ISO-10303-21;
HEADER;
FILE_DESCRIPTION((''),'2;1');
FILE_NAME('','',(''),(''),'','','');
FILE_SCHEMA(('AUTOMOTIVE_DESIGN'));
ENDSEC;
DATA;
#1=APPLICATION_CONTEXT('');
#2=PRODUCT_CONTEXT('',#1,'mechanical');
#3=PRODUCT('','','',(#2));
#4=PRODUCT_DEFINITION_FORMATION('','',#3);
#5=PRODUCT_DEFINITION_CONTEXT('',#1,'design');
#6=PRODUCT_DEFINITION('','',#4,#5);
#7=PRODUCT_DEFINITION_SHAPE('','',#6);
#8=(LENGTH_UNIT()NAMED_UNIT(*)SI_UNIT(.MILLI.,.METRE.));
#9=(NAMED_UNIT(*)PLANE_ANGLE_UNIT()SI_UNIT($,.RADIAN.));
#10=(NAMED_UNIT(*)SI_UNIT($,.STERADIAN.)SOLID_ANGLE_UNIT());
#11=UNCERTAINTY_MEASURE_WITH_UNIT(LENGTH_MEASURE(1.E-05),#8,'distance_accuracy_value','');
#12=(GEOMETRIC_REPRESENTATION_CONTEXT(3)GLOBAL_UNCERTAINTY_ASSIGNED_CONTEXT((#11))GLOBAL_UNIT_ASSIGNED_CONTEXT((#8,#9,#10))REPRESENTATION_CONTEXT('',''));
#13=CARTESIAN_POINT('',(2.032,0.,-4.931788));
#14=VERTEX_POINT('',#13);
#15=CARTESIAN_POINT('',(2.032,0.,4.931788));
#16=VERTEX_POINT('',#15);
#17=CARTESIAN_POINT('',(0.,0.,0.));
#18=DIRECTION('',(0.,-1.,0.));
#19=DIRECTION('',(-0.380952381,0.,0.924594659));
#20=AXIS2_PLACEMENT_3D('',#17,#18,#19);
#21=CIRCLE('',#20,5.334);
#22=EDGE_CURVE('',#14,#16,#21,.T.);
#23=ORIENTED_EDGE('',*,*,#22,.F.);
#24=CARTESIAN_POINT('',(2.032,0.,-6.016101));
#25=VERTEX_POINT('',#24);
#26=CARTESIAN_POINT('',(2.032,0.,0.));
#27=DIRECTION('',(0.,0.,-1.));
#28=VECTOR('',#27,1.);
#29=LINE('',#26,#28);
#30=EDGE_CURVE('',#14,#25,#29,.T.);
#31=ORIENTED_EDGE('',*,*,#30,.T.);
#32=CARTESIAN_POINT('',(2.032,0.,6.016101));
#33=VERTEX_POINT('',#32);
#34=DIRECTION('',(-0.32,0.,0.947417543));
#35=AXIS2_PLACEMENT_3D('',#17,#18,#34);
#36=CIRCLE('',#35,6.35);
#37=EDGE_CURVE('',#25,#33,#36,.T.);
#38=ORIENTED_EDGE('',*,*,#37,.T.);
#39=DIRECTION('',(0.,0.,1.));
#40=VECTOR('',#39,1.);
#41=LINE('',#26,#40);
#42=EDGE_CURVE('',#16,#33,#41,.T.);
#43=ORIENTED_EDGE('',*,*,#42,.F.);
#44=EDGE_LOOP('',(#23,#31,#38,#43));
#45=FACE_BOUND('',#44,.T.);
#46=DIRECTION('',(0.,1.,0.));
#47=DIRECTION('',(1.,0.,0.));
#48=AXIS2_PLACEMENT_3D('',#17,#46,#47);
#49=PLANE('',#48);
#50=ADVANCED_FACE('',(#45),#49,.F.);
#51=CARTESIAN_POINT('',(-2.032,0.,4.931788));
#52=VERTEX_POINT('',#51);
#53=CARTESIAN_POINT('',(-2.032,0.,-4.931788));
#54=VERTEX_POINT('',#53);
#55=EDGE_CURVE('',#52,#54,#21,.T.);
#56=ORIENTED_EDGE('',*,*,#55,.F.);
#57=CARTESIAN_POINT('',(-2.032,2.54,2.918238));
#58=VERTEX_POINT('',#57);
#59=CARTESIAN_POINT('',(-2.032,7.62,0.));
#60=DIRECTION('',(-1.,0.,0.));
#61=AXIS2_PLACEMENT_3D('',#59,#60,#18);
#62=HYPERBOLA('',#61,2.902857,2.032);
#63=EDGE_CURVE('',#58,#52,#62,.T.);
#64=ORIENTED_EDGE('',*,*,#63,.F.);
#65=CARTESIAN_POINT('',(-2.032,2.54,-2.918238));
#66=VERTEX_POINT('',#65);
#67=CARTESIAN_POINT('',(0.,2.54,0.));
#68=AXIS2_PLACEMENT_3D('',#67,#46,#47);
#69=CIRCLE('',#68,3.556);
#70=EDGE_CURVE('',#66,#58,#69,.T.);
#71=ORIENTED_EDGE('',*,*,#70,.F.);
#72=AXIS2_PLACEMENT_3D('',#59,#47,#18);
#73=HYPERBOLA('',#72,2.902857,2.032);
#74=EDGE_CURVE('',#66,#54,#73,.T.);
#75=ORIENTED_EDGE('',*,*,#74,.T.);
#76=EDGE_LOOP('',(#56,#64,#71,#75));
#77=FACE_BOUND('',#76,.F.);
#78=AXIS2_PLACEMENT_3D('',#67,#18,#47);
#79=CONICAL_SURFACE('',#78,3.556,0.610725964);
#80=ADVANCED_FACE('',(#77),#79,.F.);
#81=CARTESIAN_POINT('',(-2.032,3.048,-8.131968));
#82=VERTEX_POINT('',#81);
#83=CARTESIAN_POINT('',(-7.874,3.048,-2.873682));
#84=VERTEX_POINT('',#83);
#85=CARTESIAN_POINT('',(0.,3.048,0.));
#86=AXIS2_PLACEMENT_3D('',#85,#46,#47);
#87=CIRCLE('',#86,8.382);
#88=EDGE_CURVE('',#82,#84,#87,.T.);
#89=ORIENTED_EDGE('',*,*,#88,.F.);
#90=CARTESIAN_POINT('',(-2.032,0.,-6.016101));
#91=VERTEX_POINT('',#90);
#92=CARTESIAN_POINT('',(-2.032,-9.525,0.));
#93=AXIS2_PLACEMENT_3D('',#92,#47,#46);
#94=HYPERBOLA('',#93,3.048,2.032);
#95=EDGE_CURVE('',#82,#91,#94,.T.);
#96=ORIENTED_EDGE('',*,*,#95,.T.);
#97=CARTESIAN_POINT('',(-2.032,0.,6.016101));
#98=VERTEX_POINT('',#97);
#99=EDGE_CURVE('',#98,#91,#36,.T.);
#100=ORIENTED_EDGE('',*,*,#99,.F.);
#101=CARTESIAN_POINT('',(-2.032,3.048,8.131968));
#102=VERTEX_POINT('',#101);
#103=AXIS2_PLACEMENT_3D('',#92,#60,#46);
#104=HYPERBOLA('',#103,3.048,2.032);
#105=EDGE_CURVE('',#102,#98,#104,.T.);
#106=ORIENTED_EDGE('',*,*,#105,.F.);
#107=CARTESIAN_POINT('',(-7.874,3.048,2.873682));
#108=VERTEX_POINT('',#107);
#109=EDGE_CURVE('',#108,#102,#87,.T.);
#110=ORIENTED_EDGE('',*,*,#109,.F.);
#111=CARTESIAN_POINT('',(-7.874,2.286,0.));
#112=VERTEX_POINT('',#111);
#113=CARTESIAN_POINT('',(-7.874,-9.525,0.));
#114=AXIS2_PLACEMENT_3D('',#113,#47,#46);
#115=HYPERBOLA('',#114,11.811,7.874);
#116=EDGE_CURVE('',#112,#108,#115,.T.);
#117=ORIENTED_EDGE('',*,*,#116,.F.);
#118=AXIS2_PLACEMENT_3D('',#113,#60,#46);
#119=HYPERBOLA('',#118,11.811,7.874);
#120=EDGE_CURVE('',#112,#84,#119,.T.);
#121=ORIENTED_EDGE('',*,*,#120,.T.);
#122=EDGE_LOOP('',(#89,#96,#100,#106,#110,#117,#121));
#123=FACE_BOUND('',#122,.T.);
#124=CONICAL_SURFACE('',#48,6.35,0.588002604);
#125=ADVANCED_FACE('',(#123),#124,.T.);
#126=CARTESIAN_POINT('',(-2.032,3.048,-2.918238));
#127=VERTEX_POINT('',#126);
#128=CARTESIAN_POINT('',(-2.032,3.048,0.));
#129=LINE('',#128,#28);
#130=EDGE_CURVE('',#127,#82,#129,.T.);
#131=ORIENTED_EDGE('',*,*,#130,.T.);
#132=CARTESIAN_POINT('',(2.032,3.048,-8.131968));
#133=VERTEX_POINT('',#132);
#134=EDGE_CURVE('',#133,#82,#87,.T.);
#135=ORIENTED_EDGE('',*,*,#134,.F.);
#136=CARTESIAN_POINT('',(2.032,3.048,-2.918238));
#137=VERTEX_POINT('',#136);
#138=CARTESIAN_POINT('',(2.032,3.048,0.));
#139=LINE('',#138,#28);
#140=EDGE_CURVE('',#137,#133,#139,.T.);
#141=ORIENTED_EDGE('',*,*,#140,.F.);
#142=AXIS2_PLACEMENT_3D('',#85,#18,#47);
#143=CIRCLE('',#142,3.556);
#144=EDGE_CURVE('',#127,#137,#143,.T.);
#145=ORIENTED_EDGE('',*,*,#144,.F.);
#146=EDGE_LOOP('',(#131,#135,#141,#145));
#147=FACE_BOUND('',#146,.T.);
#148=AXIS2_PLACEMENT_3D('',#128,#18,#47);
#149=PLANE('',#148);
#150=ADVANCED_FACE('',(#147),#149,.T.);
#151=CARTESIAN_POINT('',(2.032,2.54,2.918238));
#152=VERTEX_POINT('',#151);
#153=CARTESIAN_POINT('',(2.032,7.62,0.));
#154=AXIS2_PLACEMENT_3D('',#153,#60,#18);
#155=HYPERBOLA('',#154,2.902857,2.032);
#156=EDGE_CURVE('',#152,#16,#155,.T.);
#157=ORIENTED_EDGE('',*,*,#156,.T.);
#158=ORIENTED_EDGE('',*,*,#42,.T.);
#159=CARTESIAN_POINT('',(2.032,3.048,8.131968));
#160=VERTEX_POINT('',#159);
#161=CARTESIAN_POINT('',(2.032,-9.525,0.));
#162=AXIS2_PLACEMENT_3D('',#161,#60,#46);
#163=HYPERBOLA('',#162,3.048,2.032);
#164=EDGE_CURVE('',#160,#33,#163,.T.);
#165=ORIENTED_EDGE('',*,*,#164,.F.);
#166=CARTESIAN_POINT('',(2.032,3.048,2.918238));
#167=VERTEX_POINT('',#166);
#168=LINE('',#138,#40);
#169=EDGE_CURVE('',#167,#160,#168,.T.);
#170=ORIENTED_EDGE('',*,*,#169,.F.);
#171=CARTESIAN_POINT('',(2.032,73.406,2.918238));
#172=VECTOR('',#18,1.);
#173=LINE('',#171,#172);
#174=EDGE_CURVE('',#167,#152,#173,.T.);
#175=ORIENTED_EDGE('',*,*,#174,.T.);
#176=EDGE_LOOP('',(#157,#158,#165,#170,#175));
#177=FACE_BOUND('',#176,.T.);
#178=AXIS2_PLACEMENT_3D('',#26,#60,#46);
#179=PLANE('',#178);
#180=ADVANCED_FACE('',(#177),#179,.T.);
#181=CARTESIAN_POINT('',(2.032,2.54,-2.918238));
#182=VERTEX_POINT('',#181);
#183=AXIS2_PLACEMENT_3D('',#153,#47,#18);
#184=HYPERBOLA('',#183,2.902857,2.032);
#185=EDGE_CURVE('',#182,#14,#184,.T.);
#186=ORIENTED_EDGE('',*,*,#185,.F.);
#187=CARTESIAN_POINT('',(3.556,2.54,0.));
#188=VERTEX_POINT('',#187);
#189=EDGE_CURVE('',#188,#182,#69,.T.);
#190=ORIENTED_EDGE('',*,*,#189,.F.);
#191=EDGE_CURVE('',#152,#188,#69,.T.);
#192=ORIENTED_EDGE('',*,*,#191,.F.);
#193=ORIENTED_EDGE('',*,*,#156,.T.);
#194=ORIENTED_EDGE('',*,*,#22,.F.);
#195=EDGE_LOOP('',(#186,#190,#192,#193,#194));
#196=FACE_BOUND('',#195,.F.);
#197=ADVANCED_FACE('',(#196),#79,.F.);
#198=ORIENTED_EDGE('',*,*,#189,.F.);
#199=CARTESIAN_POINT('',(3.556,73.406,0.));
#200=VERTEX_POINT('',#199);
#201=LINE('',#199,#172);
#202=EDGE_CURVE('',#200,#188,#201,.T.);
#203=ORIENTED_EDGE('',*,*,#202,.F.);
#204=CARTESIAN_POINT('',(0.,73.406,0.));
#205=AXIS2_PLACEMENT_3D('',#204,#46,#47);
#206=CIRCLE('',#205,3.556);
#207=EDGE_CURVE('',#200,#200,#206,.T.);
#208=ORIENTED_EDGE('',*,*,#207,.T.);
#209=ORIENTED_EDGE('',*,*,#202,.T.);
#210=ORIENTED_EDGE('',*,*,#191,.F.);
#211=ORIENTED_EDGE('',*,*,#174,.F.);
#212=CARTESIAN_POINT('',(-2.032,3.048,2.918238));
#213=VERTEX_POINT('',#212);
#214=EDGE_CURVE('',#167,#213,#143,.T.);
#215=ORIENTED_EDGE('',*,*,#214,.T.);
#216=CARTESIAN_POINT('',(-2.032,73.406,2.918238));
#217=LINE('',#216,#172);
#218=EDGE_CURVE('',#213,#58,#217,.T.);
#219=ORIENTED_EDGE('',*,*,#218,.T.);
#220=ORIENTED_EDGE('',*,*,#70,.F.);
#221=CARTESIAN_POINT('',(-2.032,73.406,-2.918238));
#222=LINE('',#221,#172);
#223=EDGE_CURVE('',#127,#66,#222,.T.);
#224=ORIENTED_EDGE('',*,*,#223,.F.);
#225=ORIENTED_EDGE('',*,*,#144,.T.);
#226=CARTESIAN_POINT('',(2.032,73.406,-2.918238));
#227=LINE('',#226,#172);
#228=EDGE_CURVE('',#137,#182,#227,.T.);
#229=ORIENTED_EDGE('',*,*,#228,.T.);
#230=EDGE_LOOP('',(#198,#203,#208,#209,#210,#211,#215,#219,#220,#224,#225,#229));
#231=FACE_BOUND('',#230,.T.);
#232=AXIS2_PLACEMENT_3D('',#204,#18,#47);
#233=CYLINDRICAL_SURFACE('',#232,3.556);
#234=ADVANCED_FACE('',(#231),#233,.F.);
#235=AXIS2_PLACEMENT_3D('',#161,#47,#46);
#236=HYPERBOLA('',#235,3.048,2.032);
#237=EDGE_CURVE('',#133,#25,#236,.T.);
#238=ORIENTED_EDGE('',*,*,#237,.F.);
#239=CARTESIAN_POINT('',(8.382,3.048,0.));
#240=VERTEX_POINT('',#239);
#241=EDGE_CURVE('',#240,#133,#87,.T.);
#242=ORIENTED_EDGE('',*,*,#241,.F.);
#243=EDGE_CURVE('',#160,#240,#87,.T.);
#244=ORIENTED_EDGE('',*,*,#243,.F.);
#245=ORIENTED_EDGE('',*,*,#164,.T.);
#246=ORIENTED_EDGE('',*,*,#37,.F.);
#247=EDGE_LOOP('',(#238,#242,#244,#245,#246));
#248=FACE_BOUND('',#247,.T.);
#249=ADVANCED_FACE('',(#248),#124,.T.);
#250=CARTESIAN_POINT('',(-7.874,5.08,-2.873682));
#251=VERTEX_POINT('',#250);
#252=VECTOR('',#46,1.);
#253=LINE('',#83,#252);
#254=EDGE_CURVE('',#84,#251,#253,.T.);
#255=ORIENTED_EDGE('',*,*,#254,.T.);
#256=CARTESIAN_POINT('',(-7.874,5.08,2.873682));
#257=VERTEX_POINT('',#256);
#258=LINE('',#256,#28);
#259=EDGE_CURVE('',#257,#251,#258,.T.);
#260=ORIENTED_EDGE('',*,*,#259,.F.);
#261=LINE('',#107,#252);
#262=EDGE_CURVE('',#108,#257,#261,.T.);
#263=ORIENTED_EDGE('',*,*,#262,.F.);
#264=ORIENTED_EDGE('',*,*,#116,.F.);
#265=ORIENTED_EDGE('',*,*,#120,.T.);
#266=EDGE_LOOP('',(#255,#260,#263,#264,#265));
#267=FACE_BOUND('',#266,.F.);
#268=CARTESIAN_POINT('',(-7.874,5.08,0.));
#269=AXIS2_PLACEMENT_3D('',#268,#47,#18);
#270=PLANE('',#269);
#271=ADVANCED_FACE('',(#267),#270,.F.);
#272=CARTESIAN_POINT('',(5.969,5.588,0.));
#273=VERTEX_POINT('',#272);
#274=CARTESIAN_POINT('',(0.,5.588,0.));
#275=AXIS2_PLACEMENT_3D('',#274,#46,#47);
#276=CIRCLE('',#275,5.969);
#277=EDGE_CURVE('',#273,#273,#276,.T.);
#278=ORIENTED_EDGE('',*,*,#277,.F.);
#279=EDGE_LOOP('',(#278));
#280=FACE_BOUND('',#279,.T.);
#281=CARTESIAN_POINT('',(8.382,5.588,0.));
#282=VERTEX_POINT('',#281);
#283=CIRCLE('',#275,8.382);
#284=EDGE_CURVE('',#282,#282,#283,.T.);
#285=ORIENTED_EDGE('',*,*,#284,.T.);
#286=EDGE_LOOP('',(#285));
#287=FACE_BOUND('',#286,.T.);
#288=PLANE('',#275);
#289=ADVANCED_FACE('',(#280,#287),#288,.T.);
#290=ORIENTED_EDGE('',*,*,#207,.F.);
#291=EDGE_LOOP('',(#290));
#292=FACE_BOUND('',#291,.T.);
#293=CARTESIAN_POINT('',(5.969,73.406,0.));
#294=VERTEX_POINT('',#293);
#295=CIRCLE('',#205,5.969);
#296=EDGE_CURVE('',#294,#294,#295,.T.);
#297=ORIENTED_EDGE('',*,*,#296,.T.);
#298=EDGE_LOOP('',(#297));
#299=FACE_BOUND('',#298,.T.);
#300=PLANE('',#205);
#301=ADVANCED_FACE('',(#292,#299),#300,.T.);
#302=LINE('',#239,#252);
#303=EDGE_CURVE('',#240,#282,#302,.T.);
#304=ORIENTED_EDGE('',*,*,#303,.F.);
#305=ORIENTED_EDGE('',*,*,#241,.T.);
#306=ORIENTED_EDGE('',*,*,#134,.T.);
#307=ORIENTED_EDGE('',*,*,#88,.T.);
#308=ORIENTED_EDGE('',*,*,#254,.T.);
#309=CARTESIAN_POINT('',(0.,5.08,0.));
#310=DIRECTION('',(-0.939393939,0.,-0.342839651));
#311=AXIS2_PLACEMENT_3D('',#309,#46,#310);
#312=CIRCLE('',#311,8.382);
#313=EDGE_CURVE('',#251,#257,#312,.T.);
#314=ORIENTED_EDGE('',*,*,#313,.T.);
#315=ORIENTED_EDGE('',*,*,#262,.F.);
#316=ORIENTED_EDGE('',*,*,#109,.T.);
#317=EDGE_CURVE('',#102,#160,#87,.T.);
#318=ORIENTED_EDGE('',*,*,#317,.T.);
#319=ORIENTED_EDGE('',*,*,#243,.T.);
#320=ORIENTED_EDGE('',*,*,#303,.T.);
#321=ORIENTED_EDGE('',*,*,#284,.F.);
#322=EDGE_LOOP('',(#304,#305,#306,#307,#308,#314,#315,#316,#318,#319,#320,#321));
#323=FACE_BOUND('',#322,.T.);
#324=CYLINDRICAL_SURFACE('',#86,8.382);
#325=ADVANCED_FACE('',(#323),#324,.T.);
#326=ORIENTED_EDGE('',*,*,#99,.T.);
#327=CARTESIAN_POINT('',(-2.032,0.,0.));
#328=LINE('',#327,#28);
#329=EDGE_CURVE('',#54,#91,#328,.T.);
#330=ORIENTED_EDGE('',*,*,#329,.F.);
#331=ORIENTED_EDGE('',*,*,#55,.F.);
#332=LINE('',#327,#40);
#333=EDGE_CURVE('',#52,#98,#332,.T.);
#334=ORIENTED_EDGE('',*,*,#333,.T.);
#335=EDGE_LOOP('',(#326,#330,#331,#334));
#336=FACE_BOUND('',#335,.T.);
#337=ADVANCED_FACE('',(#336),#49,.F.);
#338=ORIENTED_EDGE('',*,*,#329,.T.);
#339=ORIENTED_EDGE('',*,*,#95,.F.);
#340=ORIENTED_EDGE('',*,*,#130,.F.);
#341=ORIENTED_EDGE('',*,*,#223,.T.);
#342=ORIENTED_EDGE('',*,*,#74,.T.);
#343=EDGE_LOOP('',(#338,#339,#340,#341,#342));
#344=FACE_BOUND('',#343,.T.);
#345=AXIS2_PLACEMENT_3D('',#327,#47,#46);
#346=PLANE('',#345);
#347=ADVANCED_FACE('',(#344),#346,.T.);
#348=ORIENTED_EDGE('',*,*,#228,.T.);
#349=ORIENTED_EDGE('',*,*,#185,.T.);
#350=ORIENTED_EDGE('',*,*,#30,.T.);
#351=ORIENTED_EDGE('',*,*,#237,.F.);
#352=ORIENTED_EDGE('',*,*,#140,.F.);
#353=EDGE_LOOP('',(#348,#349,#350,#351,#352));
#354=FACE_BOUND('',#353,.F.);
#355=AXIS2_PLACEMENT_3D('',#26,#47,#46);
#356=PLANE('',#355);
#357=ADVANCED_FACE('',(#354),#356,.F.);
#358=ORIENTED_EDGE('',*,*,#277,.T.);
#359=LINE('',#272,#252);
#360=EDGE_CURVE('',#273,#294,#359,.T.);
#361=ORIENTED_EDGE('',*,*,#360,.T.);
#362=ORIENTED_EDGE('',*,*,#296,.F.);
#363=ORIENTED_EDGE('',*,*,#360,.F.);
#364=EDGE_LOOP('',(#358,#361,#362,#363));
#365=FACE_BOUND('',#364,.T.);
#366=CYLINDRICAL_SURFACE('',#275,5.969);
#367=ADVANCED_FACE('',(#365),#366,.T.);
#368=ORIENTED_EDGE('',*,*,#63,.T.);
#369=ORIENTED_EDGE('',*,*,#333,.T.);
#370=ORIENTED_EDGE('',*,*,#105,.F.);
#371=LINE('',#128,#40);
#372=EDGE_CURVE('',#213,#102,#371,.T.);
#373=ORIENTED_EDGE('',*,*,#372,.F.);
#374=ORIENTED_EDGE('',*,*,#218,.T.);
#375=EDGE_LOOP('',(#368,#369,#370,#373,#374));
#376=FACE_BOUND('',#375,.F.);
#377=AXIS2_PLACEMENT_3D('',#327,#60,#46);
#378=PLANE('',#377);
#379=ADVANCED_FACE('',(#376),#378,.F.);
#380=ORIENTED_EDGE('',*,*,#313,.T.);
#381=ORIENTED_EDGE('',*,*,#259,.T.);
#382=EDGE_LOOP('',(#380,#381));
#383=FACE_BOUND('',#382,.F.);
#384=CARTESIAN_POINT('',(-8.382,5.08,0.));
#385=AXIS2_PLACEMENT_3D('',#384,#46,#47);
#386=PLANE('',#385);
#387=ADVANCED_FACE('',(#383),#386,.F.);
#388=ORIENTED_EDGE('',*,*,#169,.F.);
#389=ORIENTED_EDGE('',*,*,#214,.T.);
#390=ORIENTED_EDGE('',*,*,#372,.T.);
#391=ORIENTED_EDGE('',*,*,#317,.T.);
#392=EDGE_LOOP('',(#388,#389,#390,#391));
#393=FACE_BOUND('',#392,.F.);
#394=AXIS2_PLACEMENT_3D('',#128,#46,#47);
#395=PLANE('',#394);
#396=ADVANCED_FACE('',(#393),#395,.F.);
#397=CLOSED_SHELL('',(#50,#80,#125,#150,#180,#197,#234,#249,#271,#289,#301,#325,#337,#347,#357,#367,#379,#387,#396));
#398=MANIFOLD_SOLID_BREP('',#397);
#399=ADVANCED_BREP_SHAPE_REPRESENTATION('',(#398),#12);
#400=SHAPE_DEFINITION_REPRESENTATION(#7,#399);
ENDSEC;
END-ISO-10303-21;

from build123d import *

# Parameters (mm, degrees)
CHAMFER2_SIZE           = 1.778
CHAMFER2_SIZE2          = 2.54
SKETCH2_W               = 4.064
SKETCH2_H               = 3.048
CUT_EXTRUDE1_DEPTH      = 9.382
CUT_EXTRUDE1_DEPTH_BACK = 9.382
CUT_EXTRUDE2_DEPTH      = 9.382
CUT_EXTRUDE2_DEPTH_BACK = 9.382


with BuildPart() as part:
    # Sketch1 → Base-Revolve (revolve)
    with BuildSketch(Plane.XY):
        Polygon((3.556, 73.406), (3.556, 0), (6.35, 0), (8.382, 3.048), (8.382, 5.588), (5.969, 5.588), (5.969, 73.406), align=None)
    revolve(axis=Axis((0, 0, 0), (0, 1, 0)))

    # Chamfer2
    chamfer2_edges = [part.edges().sort_by_distance(p)[0] for p in [
        (-3.556, 0, 0),
    ]]
    chamfer2_side = [part.faces().sort_by_distance(p)[0] for p in [
        (-3.735605122, 0, 0),
    ]]
    chamfer(chamfer2_edges, length=CHAMFER2_SIZE, length2=CHAMFER2_SIZE2, reference=chamfer2_side[0])

    # Sketch2 → Cut-Extrude1 (cut, two sides)
    with BuildSketch(Plane.XY) as cut_extrude1_sk:
        with Locations((0, 1.524)):
            Rectangle(SKETCH2_W, SKETCH2_H)
    extrude(amount=CUT_EXTRUDE1_DEPTH, mode=Mode.SUBTRACT)
    extrude(cut_extrude1_sk.sketch, amount=-CUT_EXTRUDE1_DEPTH_BACK, mode=Mode.SUBTRACT)

    # Sketch3 → Cut-Extrude2 (cut, two sides)
    with BuildSketch(Plane.XY) as cut_extrude2_sk:
        Polygon((-7.874, 5.08), (-7.874, 2.286), (-8.382, 3.048), (-8.382, 5.08), align=None)
    extrude(amount=CUT_EXTRUDE2_DEPTH, mode=Mode.SUBTRACT)
    extrude(cut_extrude2_sk.sketch, amount=-CUT_EXTRUDE2_DEPTH_BACK, mode=Mode.SUBTRACT)


solid = part.part
